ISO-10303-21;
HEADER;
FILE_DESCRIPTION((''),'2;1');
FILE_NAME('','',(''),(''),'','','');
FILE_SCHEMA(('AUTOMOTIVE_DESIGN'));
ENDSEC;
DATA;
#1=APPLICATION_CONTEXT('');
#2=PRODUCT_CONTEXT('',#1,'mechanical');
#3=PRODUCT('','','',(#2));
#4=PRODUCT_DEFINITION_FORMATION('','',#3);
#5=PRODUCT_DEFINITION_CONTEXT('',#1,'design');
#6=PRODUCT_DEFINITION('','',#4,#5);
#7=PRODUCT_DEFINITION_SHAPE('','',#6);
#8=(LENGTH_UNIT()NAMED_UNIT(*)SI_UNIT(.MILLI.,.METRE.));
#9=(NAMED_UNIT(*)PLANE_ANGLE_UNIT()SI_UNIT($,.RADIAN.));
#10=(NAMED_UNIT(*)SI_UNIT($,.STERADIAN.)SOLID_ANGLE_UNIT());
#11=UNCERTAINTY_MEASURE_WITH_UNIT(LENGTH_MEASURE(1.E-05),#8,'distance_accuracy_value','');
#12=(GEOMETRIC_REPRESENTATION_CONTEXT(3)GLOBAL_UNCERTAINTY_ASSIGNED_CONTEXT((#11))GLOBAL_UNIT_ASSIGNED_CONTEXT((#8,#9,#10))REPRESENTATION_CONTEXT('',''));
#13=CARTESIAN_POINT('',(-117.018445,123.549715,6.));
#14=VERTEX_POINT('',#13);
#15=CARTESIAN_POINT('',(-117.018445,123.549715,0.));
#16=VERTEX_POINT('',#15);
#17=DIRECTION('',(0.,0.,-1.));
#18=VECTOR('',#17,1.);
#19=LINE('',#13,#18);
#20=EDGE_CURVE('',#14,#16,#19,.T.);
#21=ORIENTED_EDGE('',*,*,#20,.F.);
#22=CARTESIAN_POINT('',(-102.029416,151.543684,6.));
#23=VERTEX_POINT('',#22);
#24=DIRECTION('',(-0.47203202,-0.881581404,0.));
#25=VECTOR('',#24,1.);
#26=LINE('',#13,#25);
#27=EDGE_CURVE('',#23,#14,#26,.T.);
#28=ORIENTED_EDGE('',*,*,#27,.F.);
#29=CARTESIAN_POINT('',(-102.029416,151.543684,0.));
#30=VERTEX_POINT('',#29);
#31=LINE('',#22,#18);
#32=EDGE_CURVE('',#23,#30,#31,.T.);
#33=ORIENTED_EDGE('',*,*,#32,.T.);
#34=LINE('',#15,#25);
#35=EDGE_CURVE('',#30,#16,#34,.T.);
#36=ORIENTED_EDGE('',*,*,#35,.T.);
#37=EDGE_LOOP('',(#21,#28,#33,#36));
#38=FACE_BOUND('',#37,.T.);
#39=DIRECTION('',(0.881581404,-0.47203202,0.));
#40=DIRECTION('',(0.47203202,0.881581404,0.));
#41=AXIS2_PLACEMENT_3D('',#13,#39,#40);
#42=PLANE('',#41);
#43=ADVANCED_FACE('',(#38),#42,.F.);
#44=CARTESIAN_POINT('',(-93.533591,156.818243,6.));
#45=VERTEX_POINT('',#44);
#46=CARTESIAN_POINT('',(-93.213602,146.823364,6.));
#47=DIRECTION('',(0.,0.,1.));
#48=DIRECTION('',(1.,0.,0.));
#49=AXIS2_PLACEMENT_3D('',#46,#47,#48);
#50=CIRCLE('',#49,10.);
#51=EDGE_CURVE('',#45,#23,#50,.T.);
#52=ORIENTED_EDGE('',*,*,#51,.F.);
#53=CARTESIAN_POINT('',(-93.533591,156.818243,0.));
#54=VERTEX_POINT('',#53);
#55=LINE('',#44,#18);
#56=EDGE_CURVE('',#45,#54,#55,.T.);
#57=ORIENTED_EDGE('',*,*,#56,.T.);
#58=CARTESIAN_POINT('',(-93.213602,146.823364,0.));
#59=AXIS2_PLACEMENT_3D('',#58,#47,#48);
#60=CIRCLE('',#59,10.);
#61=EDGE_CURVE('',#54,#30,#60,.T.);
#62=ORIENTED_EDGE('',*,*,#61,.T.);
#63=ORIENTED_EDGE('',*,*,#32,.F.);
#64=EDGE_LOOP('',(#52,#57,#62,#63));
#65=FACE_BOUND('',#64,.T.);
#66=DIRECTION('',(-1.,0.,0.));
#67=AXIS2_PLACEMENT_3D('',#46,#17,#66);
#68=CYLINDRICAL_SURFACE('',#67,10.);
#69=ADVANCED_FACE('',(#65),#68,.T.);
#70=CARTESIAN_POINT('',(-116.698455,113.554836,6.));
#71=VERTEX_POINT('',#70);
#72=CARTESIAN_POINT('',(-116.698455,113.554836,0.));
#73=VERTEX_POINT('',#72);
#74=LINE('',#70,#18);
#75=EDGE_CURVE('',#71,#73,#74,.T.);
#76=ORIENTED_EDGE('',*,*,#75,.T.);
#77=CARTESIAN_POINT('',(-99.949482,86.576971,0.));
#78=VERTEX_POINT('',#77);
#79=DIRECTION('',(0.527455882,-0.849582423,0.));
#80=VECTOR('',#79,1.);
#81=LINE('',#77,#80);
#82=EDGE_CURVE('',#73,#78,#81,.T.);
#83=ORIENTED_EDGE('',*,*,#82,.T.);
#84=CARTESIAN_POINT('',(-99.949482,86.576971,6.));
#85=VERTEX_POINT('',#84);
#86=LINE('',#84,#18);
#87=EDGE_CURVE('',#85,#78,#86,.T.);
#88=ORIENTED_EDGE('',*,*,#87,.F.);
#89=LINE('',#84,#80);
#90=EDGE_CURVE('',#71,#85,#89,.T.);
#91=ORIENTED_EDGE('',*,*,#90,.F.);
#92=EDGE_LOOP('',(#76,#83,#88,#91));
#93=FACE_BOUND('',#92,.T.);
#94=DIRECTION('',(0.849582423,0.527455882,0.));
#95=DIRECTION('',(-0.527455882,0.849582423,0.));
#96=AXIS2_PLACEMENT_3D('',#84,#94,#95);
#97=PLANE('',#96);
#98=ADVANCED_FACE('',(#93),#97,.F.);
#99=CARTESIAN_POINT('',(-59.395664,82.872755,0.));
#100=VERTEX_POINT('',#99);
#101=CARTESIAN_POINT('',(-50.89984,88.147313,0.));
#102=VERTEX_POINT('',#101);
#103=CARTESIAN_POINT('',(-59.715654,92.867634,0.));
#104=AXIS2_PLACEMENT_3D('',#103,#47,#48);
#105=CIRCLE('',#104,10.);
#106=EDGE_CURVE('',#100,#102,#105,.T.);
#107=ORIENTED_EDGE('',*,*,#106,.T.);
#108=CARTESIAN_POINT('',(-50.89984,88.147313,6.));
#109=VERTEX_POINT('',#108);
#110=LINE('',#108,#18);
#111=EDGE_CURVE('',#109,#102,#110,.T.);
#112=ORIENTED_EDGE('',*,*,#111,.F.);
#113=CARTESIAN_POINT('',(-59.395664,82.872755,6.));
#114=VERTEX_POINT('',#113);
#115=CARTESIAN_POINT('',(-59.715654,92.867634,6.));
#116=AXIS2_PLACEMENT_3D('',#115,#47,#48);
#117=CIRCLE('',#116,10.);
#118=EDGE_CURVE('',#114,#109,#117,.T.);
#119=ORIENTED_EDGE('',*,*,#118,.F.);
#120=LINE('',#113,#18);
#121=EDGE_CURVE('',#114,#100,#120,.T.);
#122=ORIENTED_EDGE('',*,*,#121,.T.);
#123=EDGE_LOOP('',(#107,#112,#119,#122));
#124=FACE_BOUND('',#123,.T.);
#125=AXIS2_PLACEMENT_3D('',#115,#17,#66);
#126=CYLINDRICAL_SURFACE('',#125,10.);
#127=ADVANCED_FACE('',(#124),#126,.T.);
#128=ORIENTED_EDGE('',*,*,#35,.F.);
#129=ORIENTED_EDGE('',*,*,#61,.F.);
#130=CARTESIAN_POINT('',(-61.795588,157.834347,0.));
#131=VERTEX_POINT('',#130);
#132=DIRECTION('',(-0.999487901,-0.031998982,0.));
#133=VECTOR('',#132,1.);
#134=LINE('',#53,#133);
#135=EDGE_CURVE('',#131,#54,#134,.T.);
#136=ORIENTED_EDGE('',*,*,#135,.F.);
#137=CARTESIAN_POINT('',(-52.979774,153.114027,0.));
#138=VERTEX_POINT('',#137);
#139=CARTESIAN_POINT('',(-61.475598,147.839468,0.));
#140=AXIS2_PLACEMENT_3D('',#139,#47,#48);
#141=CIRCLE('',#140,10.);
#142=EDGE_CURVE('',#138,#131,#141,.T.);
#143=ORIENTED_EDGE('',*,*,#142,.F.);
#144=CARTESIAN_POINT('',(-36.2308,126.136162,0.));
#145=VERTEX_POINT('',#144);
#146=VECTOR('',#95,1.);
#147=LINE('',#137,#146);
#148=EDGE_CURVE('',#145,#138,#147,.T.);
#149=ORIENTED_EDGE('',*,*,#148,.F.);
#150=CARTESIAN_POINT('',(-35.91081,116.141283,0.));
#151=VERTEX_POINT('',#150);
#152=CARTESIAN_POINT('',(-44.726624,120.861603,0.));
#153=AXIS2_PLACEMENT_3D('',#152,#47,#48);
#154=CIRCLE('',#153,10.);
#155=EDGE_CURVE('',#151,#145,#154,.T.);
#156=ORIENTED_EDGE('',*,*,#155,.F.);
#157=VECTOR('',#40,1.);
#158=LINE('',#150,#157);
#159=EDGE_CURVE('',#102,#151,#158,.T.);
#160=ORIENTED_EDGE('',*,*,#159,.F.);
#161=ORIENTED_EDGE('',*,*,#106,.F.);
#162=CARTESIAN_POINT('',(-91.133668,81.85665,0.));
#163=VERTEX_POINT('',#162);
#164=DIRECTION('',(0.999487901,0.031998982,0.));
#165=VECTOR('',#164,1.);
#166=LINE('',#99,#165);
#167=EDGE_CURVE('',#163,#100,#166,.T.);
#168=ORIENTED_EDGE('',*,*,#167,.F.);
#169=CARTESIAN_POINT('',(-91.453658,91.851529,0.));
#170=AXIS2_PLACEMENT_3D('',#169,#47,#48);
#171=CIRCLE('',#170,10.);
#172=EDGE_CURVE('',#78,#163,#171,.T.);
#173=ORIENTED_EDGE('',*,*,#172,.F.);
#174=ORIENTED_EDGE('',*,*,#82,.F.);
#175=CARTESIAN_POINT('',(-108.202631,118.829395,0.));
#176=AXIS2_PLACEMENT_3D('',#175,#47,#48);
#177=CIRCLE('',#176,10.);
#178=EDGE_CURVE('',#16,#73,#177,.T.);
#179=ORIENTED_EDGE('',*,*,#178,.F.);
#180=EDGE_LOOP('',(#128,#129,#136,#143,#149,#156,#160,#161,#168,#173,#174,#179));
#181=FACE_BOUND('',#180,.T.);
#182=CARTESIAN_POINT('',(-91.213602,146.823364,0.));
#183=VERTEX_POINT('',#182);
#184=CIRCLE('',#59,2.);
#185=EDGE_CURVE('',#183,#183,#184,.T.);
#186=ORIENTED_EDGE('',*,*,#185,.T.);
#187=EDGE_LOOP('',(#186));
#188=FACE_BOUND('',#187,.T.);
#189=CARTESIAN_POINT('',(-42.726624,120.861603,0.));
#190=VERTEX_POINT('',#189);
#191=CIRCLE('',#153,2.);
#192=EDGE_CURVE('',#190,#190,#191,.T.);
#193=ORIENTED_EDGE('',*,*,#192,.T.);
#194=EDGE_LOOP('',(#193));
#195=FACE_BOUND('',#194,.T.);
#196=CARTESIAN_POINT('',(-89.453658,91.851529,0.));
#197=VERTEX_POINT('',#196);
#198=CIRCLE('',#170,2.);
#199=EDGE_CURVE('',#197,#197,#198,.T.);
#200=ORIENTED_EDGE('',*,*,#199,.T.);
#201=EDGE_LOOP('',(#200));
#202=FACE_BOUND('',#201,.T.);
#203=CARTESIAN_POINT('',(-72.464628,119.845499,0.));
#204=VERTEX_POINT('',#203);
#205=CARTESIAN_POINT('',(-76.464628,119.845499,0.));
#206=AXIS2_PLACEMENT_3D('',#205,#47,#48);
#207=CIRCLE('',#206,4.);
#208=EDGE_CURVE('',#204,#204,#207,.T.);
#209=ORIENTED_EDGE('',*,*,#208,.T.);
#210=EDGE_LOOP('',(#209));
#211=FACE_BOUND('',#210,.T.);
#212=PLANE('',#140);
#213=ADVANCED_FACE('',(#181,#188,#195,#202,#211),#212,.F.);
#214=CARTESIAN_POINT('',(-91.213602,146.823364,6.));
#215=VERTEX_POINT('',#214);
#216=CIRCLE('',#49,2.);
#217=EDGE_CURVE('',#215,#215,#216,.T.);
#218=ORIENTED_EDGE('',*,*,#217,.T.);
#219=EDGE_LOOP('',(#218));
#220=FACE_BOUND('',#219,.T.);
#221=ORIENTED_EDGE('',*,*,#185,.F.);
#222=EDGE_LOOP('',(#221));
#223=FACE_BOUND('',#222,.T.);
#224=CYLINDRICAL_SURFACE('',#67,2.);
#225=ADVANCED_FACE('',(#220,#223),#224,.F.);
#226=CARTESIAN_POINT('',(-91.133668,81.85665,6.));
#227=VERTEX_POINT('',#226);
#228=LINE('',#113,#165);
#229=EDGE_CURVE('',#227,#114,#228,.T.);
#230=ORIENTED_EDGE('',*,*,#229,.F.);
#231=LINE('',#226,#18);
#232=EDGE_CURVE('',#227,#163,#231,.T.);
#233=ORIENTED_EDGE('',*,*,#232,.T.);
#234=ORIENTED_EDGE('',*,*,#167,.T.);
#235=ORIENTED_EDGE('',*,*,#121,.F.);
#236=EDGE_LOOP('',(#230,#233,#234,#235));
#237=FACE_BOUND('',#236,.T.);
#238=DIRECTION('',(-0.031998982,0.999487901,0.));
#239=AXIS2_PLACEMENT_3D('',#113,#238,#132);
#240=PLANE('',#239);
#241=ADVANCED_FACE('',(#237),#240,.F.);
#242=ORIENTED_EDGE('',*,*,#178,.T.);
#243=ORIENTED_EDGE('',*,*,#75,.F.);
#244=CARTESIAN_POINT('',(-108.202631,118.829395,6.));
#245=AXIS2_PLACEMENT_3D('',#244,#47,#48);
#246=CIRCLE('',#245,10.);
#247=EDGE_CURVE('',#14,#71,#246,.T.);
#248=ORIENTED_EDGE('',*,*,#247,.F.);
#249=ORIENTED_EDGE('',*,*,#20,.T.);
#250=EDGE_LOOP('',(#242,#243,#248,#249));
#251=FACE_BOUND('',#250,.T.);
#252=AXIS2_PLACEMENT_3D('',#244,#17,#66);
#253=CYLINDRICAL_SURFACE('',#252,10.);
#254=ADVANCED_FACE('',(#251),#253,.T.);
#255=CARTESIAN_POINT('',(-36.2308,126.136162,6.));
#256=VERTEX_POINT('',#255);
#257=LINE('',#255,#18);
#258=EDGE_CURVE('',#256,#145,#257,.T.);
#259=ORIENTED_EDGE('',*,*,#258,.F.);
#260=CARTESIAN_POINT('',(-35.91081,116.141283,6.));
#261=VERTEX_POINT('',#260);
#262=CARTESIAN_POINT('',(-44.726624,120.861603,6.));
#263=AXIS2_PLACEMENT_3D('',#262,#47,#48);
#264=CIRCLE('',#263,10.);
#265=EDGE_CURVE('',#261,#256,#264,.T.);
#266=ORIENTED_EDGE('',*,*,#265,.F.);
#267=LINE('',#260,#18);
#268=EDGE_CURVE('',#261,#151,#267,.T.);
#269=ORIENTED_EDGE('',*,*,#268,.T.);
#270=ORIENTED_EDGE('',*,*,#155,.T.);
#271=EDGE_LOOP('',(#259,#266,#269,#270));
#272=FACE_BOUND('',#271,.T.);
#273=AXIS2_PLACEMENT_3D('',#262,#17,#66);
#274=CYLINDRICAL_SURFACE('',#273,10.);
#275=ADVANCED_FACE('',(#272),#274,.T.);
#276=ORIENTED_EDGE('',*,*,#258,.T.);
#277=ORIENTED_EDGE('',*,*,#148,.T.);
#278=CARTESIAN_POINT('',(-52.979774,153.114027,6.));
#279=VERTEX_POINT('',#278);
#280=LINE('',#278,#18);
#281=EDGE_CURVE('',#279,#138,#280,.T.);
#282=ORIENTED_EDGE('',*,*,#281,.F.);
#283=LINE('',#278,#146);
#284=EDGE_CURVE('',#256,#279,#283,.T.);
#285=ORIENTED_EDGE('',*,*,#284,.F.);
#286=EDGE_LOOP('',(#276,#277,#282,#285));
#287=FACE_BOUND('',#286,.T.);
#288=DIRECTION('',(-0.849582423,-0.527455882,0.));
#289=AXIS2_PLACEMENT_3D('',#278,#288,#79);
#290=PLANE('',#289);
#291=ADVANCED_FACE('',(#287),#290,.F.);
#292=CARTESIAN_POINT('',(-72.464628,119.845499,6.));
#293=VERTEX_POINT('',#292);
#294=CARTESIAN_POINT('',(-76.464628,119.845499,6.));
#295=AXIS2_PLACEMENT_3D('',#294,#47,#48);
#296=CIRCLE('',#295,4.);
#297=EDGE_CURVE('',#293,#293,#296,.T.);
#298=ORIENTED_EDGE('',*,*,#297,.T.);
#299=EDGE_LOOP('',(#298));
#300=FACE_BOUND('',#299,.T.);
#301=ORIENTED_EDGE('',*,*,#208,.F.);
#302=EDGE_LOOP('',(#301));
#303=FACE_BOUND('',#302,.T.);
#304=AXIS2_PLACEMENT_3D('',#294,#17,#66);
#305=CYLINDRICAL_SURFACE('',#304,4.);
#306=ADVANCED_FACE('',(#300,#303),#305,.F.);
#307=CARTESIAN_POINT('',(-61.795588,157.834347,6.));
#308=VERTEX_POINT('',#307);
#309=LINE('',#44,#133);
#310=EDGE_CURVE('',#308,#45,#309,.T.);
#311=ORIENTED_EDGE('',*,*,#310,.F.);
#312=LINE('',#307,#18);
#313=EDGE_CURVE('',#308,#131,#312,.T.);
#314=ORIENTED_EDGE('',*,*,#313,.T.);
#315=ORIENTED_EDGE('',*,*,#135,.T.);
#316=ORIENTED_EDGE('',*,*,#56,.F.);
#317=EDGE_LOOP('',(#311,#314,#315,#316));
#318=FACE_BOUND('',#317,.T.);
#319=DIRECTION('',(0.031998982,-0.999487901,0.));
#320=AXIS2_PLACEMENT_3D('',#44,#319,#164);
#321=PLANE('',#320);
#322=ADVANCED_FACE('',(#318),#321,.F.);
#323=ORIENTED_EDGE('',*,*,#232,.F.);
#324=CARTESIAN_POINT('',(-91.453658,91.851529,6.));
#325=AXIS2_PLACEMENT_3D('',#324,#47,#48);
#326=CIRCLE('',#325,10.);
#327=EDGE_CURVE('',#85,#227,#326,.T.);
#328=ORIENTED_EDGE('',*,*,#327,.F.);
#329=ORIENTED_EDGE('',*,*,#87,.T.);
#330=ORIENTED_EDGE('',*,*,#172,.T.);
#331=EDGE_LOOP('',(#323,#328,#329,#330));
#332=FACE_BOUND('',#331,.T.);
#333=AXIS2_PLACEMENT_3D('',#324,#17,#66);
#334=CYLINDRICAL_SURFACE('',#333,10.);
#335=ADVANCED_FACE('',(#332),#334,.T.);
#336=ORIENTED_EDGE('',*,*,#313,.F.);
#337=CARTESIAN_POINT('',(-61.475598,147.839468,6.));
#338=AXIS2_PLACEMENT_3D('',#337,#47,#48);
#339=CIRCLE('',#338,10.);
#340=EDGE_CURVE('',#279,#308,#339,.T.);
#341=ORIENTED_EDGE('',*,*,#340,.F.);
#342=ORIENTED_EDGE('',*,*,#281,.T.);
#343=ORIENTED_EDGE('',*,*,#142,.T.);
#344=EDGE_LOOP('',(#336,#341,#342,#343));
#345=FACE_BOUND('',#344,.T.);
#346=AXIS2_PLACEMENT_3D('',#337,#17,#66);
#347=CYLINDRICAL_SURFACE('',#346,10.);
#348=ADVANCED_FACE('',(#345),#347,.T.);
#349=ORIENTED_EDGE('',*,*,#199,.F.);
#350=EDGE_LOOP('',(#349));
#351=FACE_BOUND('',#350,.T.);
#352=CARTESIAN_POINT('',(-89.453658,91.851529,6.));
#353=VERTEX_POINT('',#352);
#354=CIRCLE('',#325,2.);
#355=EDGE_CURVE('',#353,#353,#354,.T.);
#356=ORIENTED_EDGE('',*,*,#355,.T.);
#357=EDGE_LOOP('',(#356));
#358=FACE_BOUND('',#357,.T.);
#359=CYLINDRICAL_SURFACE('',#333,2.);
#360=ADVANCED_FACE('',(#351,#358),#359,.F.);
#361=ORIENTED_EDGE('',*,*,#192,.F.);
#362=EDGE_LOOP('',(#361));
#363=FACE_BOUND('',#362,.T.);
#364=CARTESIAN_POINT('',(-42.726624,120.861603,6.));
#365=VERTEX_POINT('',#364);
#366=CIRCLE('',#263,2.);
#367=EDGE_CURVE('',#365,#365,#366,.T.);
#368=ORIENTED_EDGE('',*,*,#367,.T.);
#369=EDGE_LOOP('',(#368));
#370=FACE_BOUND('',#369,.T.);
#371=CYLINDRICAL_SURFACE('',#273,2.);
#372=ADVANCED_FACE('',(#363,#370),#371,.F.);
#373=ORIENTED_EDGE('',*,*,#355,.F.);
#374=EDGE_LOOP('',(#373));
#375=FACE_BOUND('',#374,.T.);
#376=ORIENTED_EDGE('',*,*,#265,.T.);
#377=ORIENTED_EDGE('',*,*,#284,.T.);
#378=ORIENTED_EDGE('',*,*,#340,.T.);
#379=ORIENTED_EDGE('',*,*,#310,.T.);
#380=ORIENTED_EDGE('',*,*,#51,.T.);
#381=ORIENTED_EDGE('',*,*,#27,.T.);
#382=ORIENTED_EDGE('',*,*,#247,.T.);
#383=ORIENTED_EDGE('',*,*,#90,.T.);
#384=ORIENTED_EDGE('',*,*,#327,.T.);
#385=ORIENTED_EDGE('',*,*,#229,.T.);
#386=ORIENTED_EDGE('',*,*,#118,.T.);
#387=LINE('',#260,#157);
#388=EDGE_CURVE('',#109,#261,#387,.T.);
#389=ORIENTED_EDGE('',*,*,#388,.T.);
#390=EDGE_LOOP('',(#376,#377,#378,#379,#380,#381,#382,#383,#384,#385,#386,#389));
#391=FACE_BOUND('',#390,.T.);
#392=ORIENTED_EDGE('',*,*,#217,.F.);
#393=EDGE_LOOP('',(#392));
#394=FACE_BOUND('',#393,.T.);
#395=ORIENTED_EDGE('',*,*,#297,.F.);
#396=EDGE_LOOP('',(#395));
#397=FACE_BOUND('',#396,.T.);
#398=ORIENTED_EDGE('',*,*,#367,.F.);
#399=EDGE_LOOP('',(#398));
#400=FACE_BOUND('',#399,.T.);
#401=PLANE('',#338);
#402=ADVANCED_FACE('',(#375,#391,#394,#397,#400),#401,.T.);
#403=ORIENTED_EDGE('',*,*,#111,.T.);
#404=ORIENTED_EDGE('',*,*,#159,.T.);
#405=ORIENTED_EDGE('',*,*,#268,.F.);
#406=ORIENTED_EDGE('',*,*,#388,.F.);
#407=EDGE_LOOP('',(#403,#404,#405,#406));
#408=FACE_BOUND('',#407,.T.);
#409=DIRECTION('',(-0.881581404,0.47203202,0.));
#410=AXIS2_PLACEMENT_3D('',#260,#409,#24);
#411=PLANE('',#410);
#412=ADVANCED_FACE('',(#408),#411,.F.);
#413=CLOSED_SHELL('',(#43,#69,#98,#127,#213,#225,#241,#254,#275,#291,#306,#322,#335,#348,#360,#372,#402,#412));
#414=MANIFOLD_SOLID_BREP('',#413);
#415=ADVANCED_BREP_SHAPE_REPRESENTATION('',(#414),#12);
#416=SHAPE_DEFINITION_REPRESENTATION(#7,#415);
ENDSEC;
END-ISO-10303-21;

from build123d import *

# Parameters (mm, degrees)
SKETCH1_R           = 2
SKETCH1_R_2         = 4
BOSS_EXTRUDE1_DEPTH = 6


with BuildPart() as part:
    # Sketch1 → Boss-Extrude1 (new body)
    with BuildSketch(Plane.XY):
        with BuildLine():
            Line((-52.979773801, 153.114027001), (-36.230800058, 126.13616178))
            ThreePointArc((-36.230800058, 126.13616178), (-34.731745269, 121.181592779), (-35.910810241, 116.141282765))
            Line((-35.910810241, 116.141282765), (-50.89983999, 88.147313406))
            ThreePointArc((-50.89983999, 88.147313406), (-54.441095215, 84.371809376), (-59.395664216, 82.872754588))
            Line((-59.395664216, 82.872754588), (-91.133667709, 81.856650449))
            ThreePointArc((-91.133667709, 81.856650449), (-96.173977723, 83.035715421), (-99.949481752, 86.576970646))
            Line((-99.949481752, 86.576970646), (-116.698455495, 113.554835867))
            ThreePointArc((-116.698455495, 113.554835867), (-118.197510284, 118.509404868), (-117.018445312, 123.549714881))
            Line((-117.018445312, 123.549714881), (-102.029415563, 151.543684241))
            ThreePointArc((-102.029415563, 151.543684241), (-98.488160338, 155.31918827), (-93.533591337, 156.818243059))
            Line((-93.533591337, 156.818243059), (-61.795587844, 157.834347197))
            ThreePointArc((-61.795587844, 157.834347197), (-56.75527783, 156.655282226), (-52.979773801, 153.114027001))
        make_face()
        with Locations((-91.453657526, 91.851529464)):
            Circle(SKETCH1_R, mode=Mode.SUBTRACT)
        with Locations((-44.726624284, 120.861602962)):
            Circle(SKETCH1_R, mode=Mode.SUBTRACT)
        with Locations((-76.464627777, 119.845498823)):
            Circle(SKETCH1_R_2, mode=Mode.SUBTRACT)
        with Locations((-93.21360152, 146.823364044)):
            Circle(SKETCH1_R, mode=Mode.SUBTRACT)
    extrude(amount=BOSS_EXTRUDE1_DEPTH)


solid = part.part
